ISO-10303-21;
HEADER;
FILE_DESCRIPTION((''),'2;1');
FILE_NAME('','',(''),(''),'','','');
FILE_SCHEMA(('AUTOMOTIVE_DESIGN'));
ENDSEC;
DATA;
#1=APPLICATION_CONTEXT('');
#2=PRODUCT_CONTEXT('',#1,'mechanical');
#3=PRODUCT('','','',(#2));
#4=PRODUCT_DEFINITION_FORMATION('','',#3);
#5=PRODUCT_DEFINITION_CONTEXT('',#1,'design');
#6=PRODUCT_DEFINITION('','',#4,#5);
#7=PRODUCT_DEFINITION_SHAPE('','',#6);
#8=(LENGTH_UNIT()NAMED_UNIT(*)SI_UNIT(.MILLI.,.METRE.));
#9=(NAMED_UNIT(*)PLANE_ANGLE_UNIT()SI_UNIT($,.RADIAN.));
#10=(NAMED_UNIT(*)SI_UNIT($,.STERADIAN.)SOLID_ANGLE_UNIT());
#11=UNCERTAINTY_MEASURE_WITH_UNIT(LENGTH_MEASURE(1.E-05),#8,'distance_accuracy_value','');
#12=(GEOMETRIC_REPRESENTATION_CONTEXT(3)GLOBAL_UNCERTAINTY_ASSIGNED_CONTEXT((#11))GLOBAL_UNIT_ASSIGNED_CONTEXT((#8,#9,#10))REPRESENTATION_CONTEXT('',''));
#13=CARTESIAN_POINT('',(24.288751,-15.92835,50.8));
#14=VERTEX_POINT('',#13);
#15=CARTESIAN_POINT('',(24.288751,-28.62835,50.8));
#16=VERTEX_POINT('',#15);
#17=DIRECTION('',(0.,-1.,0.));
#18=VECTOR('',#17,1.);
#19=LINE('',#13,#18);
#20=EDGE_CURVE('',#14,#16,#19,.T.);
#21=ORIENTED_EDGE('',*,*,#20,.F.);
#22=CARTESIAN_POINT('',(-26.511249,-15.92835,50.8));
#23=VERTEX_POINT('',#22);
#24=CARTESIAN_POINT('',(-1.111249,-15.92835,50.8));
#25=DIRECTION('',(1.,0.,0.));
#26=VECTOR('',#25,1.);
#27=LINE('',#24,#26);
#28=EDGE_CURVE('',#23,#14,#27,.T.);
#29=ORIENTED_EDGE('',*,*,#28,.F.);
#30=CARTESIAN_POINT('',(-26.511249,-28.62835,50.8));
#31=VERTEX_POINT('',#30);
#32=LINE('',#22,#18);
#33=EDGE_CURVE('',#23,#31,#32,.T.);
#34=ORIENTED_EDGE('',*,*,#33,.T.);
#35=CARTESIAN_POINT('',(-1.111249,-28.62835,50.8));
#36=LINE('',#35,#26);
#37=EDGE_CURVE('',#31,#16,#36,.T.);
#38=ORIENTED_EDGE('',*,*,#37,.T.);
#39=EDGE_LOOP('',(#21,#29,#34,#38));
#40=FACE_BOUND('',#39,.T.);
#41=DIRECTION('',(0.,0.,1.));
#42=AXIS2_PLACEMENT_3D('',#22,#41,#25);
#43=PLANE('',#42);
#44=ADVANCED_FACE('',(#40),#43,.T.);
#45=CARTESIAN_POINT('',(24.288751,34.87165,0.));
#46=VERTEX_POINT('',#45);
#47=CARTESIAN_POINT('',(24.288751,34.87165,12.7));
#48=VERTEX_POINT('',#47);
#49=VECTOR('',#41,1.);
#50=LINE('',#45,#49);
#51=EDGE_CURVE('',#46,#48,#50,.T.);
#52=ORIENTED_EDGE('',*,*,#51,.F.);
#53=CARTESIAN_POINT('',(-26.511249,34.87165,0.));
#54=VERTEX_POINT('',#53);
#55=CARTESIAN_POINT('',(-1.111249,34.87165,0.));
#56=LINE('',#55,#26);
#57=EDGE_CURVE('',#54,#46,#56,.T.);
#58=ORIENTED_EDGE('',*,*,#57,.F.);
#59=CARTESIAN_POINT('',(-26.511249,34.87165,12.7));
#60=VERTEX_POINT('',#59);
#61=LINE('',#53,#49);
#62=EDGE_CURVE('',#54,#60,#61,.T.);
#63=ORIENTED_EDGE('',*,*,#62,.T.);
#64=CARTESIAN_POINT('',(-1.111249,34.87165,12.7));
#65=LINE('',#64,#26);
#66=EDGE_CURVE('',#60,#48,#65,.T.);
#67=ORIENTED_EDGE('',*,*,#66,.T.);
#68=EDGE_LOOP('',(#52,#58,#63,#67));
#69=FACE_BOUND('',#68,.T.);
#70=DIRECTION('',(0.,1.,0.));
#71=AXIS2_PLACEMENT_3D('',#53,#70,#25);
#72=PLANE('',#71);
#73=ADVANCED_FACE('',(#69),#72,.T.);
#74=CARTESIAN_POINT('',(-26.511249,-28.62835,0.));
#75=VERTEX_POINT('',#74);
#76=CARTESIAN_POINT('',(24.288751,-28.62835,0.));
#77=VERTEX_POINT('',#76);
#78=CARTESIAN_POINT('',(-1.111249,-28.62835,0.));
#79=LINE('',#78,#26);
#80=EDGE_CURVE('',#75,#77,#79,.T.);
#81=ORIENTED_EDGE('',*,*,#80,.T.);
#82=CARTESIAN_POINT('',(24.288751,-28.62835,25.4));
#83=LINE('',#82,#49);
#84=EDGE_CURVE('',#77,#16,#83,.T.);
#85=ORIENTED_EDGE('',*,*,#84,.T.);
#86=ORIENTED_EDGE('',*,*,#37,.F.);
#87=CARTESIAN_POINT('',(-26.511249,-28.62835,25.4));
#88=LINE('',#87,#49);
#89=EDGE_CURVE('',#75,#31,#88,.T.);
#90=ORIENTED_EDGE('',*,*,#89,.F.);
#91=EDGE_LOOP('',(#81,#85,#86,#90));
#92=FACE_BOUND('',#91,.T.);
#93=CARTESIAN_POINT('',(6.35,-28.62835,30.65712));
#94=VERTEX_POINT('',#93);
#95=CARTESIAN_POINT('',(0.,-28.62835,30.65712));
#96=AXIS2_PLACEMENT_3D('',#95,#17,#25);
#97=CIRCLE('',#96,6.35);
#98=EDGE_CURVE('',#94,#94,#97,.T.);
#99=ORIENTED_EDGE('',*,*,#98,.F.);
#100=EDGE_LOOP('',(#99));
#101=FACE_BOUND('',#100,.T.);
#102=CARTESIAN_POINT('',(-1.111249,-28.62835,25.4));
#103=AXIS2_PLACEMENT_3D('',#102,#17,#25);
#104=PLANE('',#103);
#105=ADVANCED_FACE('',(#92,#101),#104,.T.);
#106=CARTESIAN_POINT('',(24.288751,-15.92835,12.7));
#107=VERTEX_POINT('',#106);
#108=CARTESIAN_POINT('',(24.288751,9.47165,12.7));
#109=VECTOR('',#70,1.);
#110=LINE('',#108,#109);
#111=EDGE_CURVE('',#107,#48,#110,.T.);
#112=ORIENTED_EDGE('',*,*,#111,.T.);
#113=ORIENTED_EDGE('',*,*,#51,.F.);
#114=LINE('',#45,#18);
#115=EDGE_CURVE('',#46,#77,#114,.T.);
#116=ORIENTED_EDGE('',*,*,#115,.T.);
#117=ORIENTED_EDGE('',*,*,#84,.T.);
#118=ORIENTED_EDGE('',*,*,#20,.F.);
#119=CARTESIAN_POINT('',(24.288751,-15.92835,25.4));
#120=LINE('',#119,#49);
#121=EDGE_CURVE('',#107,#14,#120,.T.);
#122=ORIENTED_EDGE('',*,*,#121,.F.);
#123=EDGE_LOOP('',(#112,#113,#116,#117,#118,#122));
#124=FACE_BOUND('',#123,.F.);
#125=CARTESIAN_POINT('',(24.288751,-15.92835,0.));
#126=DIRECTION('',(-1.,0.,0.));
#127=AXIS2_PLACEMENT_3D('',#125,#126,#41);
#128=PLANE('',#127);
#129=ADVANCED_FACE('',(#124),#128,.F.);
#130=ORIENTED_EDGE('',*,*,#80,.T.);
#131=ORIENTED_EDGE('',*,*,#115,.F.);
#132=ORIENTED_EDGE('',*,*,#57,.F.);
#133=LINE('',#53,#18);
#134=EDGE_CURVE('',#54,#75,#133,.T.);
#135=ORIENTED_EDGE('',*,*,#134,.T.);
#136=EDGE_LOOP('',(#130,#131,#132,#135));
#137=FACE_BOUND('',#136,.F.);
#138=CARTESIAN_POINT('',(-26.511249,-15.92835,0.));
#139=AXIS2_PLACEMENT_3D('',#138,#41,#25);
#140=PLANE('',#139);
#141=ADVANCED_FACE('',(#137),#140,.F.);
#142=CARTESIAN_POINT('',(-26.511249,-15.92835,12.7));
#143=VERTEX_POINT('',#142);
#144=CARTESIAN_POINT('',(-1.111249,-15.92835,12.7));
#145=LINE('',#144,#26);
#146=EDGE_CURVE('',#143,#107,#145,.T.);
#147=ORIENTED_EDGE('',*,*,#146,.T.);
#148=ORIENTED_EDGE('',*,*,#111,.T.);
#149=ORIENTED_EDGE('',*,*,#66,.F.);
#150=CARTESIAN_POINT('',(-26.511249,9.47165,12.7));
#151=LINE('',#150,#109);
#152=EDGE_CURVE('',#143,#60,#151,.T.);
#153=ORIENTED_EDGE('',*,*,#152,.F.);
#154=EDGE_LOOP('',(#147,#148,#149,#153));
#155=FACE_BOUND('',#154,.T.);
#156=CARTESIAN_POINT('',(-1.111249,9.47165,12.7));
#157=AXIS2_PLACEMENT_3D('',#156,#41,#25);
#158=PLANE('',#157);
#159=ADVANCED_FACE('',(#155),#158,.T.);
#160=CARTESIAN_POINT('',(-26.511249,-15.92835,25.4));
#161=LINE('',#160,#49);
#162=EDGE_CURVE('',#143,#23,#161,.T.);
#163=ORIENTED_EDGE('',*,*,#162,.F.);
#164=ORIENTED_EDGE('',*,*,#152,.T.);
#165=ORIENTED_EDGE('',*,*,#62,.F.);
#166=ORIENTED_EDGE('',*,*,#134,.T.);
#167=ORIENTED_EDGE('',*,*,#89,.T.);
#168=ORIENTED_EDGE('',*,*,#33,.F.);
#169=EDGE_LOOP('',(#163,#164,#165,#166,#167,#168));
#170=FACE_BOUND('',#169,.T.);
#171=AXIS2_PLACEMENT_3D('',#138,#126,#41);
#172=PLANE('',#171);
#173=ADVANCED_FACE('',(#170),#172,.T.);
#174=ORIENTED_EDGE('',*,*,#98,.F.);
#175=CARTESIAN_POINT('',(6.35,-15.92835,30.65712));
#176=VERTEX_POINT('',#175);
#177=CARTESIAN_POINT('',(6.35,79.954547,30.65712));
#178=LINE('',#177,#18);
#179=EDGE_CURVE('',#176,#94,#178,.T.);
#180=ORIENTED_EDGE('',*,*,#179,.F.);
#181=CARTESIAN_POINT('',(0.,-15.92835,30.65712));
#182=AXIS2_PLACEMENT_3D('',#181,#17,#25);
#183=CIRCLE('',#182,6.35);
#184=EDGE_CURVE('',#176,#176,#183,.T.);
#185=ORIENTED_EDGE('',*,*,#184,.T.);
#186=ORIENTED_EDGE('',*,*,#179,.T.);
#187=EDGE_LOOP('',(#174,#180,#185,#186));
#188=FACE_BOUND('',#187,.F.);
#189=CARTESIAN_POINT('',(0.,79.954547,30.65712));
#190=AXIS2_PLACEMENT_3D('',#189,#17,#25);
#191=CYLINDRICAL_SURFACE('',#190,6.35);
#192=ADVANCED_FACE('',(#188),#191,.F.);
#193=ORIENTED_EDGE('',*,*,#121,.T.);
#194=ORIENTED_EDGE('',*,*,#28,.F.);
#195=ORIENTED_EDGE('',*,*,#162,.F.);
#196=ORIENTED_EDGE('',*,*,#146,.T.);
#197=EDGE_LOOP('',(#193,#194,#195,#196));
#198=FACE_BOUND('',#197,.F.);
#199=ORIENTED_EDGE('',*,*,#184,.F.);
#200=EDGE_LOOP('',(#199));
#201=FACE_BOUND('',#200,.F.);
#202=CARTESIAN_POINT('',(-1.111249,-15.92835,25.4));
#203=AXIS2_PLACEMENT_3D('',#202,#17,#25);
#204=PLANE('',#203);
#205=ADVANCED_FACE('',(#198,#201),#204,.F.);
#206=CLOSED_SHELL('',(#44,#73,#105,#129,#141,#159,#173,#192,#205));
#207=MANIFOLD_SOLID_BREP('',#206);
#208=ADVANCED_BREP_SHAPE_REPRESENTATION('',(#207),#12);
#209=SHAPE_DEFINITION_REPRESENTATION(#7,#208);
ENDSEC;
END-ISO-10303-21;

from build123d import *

# Parameters (mm, degrees)
F0_W     = 50.8
F0_H     = 50.8
F1_DEPTH = 12.7
F2_W     = 50.8
F2_H     = 50.8
F3_DEPTH = 12.7
F5_D     = 12.7


with BuildPart() as f1:
    # F0 (on Top) → F1 (new body)
    with BuildSketch(Plane.XY):
        with Locations((-1.111249, 9.47165)):
            Rectangle(F0_W, F0_H)
    extrude(amount=F1_DEPTH)

    # F2 (on face) → F3 (join)
    with BuildSketch(Plane.XZ.offset(15.92835)):
        with Locations((-1.111249, 25.4)):
            Rectangle(F2_W, F2_H)
    extrude(amount=F3_DEPTH)

    # F5 (through all)
    with Locations(Plane(origin=(0, -15.92835, 0), x_dir=(-1, 0, 0), z_dir=(0, 1, 0))):
        with Locations((0, 30.65712)):
            Hole(F5_D / 2)


solid = f1.part
